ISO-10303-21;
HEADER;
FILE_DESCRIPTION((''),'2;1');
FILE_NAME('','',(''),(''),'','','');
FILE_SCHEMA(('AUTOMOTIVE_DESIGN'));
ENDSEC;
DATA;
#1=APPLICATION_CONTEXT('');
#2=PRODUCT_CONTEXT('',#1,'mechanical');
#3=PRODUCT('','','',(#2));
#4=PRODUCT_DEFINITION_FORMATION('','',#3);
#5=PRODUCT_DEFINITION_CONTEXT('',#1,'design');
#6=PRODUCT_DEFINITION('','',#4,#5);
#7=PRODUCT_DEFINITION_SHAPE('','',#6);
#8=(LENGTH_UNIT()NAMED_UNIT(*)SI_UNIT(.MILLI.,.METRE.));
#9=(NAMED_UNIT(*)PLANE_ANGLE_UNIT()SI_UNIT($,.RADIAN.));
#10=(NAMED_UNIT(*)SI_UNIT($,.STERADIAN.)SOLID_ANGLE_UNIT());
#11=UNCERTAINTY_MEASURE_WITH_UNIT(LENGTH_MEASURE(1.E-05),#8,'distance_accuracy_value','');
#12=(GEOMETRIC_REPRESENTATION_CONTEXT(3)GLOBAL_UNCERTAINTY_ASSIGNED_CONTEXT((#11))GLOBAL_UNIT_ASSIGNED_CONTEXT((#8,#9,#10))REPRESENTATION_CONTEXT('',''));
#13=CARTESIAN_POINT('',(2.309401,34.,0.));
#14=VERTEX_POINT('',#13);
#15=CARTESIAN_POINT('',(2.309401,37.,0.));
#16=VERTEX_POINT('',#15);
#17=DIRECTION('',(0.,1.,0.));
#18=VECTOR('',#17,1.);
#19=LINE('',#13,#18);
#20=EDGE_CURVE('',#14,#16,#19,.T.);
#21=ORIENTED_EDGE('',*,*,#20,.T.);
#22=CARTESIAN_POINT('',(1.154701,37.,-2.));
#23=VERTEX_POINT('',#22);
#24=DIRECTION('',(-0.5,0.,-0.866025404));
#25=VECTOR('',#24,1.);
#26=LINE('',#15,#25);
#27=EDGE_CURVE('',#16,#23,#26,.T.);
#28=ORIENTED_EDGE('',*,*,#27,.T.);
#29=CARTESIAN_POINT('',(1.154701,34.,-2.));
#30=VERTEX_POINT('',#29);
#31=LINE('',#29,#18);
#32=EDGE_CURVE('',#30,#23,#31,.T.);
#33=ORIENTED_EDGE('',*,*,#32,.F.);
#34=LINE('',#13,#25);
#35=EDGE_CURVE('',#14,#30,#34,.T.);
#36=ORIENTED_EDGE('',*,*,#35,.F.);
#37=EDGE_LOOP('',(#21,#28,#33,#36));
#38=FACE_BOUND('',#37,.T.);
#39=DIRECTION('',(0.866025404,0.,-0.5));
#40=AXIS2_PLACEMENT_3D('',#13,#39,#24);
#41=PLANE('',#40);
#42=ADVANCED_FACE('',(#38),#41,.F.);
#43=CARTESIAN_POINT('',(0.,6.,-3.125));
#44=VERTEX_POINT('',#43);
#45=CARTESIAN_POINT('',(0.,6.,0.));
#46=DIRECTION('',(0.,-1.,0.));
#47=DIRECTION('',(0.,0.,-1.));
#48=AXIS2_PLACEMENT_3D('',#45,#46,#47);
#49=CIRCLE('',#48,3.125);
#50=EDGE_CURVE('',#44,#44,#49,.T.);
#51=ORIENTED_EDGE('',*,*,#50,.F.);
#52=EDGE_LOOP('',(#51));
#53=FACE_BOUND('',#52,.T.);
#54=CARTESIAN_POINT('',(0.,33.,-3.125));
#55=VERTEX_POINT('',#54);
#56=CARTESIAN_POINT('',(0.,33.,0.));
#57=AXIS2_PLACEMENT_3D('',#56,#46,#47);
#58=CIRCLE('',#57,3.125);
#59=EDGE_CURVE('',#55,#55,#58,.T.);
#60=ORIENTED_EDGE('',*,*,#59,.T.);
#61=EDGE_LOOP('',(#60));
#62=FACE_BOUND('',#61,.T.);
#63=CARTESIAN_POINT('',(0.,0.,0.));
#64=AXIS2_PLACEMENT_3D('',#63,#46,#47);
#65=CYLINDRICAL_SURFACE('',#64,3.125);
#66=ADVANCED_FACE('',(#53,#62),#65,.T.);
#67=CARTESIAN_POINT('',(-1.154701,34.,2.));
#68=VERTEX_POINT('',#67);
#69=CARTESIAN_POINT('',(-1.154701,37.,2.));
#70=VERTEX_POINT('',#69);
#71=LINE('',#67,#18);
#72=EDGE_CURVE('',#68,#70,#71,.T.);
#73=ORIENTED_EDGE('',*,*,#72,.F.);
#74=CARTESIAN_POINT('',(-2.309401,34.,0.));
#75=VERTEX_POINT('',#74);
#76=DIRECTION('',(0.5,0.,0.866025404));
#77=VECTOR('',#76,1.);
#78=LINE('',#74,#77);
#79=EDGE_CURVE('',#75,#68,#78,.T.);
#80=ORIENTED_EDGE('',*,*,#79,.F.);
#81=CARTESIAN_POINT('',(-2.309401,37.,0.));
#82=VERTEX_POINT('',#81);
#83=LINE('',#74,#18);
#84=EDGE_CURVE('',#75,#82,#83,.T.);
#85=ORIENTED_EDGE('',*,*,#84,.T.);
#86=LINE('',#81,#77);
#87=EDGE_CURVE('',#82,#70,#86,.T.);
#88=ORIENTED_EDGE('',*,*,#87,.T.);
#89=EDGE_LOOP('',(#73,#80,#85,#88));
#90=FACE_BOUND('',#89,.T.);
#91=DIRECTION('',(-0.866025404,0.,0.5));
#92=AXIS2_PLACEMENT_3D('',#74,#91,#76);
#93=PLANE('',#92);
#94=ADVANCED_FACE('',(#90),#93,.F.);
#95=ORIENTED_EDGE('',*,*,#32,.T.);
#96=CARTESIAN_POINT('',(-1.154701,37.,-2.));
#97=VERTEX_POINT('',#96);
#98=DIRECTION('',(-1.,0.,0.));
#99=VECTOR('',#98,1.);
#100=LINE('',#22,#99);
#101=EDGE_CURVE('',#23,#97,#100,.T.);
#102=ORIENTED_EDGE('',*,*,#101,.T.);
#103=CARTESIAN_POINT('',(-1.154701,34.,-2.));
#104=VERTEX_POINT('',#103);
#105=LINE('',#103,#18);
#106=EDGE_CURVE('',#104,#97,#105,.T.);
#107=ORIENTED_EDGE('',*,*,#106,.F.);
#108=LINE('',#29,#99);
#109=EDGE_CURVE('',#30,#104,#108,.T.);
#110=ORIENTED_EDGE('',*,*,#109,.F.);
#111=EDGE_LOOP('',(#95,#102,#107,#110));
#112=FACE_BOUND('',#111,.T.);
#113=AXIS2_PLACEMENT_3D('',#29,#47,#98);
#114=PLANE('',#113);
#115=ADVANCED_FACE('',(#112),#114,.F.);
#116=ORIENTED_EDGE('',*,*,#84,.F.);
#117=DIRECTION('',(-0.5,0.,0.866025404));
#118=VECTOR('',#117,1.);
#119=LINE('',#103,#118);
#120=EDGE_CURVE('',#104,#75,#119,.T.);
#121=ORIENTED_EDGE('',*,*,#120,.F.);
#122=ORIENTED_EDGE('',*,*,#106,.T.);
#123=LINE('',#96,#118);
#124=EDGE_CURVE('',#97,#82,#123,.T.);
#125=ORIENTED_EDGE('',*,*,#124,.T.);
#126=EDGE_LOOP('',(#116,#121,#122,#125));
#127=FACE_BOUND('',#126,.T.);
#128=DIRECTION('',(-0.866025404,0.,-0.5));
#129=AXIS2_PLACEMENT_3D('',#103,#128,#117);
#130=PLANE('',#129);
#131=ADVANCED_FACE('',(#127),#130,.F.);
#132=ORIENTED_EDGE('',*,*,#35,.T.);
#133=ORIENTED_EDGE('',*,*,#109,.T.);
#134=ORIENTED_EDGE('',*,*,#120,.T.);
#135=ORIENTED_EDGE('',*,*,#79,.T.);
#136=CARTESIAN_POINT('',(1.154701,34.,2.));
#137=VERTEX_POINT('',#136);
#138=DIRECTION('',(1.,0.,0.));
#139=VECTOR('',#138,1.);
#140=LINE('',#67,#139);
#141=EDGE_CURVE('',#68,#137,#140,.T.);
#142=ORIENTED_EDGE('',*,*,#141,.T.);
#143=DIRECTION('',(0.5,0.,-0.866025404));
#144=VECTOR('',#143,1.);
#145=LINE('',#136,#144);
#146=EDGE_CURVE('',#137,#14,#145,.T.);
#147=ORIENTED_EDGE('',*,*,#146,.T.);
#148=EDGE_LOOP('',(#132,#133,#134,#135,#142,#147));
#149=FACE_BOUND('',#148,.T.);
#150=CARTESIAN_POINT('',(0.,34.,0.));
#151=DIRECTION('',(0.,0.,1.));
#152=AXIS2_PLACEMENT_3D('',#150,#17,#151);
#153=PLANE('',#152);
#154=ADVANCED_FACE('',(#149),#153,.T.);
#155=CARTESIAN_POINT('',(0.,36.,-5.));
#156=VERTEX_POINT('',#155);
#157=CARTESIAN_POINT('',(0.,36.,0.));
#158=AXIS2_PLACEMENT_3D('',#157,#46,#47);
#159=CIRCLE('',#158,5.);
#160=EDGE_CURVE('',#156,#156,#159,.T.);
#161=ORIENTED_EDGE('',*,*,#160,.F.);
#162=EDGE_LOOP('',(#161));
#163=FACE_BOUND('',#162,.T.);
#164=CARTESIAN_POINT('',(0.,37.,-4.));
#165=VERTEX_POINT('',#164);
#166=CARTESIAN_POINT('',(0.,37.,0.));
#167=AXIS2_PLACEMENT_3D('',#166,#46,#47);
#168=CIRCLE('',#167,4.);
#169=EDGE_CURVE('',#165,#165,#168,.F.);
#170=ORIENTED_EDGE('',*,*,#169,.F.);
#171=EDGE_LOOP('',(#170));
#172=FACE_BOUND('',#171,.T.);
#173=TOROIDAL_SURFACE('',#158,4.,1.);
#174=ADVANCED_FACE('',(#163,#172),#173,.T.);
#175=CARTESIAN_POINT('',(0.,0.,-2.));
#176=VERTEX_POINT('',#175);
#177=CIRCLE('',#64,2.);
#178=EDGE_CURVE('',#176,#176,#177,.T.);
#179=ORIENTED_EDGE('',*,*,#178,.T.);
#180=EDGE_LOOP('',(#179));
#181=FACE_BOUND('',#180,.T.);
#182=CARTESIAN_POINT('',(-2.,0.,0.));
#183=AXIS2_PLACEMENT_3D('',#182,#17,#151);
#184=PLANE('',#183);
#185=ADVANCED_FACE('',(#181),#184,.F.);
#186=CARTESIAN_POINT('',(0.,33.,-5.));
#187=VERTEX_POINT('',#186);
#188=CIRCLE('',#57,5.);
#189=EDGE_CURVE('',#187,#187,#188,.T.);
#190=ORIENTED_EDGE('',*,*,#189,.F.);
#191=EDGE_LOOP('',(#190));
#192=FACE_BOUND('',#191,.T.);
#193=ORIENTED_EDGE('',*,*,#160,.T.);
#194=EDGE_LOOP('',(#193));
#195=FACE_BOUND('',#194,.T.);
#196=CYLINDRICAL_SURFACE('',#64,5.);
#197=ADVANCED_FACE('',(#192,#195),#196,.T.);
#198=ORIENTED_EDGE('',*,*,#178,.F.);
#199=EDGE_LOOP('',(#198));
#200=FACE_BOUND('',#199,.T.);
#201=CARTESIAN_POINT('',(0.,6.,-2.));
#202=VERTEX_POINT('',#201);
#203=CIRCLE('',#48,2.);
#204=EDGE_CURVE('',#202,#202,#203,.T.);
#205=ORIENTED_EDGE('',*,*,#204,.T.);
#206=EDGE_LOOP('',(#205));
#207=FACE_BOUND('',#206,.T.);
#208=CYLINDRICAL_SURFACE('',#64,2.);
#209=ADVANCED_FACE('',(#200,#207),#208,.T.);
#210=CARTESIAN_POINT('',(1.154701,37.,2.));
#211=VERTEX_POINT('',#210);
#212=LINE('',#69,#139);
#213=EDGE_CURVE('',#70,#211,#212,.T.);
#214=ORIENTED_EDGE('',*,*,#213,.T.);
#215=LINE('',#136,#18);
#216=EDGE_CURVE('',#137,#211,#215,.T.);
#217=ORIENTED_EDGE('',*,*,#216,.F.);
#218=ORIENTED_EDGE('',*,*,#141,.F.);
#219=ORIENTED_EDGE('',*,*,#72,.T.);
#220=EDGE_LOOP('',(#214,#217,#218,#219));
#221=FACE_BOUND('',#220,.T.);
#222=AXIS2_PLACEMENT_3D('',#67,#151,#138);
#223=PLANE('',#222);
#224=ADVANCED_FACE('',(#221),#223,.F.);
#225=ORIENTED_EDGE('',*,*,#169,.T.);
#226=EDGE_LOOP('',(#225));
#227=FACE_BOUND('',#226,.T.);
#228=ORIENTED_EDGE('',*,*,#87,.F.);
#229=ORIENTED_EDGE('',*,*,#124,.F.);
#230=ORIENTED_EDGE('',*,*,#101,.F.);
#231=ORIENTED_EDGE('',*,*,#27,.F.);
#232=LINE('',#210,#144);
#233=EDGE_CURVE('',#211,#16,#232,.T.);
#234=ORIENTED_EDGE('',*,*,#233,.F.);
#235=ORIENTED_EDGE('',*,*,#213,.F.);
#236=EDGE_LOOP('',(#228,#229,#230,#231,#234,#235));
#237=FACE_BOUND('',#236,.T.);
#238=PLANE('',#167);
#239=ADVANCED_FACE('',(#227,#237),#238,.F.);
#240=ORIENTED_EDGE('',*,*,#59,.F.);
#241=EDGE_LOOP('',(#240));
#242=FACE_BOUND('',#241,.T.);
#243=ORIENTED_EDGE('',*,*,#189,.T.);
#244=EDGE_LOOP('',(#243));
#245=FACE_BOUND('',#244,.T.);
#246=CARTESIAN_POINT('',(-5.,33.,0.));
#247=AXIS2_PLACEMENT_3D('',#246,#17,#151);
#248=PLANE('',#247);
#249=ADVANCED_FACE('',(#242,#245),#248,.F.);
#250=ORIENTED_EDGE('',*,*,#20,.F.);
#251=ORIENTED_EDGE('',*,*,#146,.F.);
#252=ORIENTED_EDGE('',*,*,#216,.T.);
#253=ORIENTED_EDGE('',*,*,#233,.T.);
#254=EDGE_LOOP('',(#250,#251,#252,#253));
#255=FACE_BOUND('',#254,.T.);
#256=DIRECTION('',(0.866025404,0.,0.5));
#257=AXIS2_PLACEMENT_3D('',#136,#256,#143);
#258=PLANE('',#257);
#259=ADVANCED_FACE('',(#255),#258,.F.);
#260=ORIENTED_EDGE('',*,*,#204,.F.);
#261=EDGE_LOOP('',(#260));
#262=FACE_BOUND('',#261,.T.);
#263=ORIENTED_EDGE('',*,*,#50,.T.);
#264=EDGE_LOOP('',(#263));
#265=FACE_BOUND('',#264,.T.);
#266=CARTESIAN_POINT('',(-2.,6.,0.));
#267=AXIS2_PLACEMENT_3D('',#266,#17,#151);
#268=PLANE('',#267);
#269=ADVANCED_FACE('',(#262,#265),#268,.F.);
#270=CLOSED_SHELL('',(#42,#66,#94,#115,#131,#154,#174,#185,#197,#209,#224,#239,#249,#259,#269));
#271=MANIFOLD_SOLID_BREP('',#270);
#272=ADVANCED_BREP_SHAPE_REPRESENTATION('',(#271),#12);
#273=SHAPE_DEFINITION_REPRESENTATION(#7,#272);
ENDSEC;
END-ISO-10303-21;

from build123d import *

# Parameters (mm, degrees)
CUT_EXTRUDE1_DEPTH = 3
FILLET1_R          = 1


with BuildPart() as part:
    # Sketch1 → Revolve1 (revolve)
    with BuildSketch(Plane.XY, mode=Mode.PRIVATE) as revolve1_sk:
        Polygon((0, 0), (0, 37), (-5, 37), (-5, 33), (-3.125, 33), (-3.125, 6), (-2, 6), (-2, 0), align=None)
    revolve(revolve1_sk.sketch.rotate(Axis((0, 0, 0), (0, 1, 0)), 270), axis=Axis((0, 0, 0), (0, 1, 0)))

    # Sketch3 → Cut-Extrude1 (cut)
    with BuildSketch(Plane(origin=(0, 37, 0), x_dir=(1, 0, 0), z_dir=(0, 1, 0))):
        Polygon((1.154700538, 2), (-1.154700538, 2), (-2.309401077, 0), (-1.154700538, -2), (1.154700538, -2), (2.309401077, 0), align=None)
    extrude(amount=-CUT_EXTRUDE1_DEPTH, mode=Mode.SUBTRACT)

    # Fillet1
    fillet1_edges = [part.edges().sort_by_distance(p)[0] for p in [
        (0, 37, 5),
    ]]
    fillet(fillet1_edges, radius=FILLET1_R)


solid = part.part
